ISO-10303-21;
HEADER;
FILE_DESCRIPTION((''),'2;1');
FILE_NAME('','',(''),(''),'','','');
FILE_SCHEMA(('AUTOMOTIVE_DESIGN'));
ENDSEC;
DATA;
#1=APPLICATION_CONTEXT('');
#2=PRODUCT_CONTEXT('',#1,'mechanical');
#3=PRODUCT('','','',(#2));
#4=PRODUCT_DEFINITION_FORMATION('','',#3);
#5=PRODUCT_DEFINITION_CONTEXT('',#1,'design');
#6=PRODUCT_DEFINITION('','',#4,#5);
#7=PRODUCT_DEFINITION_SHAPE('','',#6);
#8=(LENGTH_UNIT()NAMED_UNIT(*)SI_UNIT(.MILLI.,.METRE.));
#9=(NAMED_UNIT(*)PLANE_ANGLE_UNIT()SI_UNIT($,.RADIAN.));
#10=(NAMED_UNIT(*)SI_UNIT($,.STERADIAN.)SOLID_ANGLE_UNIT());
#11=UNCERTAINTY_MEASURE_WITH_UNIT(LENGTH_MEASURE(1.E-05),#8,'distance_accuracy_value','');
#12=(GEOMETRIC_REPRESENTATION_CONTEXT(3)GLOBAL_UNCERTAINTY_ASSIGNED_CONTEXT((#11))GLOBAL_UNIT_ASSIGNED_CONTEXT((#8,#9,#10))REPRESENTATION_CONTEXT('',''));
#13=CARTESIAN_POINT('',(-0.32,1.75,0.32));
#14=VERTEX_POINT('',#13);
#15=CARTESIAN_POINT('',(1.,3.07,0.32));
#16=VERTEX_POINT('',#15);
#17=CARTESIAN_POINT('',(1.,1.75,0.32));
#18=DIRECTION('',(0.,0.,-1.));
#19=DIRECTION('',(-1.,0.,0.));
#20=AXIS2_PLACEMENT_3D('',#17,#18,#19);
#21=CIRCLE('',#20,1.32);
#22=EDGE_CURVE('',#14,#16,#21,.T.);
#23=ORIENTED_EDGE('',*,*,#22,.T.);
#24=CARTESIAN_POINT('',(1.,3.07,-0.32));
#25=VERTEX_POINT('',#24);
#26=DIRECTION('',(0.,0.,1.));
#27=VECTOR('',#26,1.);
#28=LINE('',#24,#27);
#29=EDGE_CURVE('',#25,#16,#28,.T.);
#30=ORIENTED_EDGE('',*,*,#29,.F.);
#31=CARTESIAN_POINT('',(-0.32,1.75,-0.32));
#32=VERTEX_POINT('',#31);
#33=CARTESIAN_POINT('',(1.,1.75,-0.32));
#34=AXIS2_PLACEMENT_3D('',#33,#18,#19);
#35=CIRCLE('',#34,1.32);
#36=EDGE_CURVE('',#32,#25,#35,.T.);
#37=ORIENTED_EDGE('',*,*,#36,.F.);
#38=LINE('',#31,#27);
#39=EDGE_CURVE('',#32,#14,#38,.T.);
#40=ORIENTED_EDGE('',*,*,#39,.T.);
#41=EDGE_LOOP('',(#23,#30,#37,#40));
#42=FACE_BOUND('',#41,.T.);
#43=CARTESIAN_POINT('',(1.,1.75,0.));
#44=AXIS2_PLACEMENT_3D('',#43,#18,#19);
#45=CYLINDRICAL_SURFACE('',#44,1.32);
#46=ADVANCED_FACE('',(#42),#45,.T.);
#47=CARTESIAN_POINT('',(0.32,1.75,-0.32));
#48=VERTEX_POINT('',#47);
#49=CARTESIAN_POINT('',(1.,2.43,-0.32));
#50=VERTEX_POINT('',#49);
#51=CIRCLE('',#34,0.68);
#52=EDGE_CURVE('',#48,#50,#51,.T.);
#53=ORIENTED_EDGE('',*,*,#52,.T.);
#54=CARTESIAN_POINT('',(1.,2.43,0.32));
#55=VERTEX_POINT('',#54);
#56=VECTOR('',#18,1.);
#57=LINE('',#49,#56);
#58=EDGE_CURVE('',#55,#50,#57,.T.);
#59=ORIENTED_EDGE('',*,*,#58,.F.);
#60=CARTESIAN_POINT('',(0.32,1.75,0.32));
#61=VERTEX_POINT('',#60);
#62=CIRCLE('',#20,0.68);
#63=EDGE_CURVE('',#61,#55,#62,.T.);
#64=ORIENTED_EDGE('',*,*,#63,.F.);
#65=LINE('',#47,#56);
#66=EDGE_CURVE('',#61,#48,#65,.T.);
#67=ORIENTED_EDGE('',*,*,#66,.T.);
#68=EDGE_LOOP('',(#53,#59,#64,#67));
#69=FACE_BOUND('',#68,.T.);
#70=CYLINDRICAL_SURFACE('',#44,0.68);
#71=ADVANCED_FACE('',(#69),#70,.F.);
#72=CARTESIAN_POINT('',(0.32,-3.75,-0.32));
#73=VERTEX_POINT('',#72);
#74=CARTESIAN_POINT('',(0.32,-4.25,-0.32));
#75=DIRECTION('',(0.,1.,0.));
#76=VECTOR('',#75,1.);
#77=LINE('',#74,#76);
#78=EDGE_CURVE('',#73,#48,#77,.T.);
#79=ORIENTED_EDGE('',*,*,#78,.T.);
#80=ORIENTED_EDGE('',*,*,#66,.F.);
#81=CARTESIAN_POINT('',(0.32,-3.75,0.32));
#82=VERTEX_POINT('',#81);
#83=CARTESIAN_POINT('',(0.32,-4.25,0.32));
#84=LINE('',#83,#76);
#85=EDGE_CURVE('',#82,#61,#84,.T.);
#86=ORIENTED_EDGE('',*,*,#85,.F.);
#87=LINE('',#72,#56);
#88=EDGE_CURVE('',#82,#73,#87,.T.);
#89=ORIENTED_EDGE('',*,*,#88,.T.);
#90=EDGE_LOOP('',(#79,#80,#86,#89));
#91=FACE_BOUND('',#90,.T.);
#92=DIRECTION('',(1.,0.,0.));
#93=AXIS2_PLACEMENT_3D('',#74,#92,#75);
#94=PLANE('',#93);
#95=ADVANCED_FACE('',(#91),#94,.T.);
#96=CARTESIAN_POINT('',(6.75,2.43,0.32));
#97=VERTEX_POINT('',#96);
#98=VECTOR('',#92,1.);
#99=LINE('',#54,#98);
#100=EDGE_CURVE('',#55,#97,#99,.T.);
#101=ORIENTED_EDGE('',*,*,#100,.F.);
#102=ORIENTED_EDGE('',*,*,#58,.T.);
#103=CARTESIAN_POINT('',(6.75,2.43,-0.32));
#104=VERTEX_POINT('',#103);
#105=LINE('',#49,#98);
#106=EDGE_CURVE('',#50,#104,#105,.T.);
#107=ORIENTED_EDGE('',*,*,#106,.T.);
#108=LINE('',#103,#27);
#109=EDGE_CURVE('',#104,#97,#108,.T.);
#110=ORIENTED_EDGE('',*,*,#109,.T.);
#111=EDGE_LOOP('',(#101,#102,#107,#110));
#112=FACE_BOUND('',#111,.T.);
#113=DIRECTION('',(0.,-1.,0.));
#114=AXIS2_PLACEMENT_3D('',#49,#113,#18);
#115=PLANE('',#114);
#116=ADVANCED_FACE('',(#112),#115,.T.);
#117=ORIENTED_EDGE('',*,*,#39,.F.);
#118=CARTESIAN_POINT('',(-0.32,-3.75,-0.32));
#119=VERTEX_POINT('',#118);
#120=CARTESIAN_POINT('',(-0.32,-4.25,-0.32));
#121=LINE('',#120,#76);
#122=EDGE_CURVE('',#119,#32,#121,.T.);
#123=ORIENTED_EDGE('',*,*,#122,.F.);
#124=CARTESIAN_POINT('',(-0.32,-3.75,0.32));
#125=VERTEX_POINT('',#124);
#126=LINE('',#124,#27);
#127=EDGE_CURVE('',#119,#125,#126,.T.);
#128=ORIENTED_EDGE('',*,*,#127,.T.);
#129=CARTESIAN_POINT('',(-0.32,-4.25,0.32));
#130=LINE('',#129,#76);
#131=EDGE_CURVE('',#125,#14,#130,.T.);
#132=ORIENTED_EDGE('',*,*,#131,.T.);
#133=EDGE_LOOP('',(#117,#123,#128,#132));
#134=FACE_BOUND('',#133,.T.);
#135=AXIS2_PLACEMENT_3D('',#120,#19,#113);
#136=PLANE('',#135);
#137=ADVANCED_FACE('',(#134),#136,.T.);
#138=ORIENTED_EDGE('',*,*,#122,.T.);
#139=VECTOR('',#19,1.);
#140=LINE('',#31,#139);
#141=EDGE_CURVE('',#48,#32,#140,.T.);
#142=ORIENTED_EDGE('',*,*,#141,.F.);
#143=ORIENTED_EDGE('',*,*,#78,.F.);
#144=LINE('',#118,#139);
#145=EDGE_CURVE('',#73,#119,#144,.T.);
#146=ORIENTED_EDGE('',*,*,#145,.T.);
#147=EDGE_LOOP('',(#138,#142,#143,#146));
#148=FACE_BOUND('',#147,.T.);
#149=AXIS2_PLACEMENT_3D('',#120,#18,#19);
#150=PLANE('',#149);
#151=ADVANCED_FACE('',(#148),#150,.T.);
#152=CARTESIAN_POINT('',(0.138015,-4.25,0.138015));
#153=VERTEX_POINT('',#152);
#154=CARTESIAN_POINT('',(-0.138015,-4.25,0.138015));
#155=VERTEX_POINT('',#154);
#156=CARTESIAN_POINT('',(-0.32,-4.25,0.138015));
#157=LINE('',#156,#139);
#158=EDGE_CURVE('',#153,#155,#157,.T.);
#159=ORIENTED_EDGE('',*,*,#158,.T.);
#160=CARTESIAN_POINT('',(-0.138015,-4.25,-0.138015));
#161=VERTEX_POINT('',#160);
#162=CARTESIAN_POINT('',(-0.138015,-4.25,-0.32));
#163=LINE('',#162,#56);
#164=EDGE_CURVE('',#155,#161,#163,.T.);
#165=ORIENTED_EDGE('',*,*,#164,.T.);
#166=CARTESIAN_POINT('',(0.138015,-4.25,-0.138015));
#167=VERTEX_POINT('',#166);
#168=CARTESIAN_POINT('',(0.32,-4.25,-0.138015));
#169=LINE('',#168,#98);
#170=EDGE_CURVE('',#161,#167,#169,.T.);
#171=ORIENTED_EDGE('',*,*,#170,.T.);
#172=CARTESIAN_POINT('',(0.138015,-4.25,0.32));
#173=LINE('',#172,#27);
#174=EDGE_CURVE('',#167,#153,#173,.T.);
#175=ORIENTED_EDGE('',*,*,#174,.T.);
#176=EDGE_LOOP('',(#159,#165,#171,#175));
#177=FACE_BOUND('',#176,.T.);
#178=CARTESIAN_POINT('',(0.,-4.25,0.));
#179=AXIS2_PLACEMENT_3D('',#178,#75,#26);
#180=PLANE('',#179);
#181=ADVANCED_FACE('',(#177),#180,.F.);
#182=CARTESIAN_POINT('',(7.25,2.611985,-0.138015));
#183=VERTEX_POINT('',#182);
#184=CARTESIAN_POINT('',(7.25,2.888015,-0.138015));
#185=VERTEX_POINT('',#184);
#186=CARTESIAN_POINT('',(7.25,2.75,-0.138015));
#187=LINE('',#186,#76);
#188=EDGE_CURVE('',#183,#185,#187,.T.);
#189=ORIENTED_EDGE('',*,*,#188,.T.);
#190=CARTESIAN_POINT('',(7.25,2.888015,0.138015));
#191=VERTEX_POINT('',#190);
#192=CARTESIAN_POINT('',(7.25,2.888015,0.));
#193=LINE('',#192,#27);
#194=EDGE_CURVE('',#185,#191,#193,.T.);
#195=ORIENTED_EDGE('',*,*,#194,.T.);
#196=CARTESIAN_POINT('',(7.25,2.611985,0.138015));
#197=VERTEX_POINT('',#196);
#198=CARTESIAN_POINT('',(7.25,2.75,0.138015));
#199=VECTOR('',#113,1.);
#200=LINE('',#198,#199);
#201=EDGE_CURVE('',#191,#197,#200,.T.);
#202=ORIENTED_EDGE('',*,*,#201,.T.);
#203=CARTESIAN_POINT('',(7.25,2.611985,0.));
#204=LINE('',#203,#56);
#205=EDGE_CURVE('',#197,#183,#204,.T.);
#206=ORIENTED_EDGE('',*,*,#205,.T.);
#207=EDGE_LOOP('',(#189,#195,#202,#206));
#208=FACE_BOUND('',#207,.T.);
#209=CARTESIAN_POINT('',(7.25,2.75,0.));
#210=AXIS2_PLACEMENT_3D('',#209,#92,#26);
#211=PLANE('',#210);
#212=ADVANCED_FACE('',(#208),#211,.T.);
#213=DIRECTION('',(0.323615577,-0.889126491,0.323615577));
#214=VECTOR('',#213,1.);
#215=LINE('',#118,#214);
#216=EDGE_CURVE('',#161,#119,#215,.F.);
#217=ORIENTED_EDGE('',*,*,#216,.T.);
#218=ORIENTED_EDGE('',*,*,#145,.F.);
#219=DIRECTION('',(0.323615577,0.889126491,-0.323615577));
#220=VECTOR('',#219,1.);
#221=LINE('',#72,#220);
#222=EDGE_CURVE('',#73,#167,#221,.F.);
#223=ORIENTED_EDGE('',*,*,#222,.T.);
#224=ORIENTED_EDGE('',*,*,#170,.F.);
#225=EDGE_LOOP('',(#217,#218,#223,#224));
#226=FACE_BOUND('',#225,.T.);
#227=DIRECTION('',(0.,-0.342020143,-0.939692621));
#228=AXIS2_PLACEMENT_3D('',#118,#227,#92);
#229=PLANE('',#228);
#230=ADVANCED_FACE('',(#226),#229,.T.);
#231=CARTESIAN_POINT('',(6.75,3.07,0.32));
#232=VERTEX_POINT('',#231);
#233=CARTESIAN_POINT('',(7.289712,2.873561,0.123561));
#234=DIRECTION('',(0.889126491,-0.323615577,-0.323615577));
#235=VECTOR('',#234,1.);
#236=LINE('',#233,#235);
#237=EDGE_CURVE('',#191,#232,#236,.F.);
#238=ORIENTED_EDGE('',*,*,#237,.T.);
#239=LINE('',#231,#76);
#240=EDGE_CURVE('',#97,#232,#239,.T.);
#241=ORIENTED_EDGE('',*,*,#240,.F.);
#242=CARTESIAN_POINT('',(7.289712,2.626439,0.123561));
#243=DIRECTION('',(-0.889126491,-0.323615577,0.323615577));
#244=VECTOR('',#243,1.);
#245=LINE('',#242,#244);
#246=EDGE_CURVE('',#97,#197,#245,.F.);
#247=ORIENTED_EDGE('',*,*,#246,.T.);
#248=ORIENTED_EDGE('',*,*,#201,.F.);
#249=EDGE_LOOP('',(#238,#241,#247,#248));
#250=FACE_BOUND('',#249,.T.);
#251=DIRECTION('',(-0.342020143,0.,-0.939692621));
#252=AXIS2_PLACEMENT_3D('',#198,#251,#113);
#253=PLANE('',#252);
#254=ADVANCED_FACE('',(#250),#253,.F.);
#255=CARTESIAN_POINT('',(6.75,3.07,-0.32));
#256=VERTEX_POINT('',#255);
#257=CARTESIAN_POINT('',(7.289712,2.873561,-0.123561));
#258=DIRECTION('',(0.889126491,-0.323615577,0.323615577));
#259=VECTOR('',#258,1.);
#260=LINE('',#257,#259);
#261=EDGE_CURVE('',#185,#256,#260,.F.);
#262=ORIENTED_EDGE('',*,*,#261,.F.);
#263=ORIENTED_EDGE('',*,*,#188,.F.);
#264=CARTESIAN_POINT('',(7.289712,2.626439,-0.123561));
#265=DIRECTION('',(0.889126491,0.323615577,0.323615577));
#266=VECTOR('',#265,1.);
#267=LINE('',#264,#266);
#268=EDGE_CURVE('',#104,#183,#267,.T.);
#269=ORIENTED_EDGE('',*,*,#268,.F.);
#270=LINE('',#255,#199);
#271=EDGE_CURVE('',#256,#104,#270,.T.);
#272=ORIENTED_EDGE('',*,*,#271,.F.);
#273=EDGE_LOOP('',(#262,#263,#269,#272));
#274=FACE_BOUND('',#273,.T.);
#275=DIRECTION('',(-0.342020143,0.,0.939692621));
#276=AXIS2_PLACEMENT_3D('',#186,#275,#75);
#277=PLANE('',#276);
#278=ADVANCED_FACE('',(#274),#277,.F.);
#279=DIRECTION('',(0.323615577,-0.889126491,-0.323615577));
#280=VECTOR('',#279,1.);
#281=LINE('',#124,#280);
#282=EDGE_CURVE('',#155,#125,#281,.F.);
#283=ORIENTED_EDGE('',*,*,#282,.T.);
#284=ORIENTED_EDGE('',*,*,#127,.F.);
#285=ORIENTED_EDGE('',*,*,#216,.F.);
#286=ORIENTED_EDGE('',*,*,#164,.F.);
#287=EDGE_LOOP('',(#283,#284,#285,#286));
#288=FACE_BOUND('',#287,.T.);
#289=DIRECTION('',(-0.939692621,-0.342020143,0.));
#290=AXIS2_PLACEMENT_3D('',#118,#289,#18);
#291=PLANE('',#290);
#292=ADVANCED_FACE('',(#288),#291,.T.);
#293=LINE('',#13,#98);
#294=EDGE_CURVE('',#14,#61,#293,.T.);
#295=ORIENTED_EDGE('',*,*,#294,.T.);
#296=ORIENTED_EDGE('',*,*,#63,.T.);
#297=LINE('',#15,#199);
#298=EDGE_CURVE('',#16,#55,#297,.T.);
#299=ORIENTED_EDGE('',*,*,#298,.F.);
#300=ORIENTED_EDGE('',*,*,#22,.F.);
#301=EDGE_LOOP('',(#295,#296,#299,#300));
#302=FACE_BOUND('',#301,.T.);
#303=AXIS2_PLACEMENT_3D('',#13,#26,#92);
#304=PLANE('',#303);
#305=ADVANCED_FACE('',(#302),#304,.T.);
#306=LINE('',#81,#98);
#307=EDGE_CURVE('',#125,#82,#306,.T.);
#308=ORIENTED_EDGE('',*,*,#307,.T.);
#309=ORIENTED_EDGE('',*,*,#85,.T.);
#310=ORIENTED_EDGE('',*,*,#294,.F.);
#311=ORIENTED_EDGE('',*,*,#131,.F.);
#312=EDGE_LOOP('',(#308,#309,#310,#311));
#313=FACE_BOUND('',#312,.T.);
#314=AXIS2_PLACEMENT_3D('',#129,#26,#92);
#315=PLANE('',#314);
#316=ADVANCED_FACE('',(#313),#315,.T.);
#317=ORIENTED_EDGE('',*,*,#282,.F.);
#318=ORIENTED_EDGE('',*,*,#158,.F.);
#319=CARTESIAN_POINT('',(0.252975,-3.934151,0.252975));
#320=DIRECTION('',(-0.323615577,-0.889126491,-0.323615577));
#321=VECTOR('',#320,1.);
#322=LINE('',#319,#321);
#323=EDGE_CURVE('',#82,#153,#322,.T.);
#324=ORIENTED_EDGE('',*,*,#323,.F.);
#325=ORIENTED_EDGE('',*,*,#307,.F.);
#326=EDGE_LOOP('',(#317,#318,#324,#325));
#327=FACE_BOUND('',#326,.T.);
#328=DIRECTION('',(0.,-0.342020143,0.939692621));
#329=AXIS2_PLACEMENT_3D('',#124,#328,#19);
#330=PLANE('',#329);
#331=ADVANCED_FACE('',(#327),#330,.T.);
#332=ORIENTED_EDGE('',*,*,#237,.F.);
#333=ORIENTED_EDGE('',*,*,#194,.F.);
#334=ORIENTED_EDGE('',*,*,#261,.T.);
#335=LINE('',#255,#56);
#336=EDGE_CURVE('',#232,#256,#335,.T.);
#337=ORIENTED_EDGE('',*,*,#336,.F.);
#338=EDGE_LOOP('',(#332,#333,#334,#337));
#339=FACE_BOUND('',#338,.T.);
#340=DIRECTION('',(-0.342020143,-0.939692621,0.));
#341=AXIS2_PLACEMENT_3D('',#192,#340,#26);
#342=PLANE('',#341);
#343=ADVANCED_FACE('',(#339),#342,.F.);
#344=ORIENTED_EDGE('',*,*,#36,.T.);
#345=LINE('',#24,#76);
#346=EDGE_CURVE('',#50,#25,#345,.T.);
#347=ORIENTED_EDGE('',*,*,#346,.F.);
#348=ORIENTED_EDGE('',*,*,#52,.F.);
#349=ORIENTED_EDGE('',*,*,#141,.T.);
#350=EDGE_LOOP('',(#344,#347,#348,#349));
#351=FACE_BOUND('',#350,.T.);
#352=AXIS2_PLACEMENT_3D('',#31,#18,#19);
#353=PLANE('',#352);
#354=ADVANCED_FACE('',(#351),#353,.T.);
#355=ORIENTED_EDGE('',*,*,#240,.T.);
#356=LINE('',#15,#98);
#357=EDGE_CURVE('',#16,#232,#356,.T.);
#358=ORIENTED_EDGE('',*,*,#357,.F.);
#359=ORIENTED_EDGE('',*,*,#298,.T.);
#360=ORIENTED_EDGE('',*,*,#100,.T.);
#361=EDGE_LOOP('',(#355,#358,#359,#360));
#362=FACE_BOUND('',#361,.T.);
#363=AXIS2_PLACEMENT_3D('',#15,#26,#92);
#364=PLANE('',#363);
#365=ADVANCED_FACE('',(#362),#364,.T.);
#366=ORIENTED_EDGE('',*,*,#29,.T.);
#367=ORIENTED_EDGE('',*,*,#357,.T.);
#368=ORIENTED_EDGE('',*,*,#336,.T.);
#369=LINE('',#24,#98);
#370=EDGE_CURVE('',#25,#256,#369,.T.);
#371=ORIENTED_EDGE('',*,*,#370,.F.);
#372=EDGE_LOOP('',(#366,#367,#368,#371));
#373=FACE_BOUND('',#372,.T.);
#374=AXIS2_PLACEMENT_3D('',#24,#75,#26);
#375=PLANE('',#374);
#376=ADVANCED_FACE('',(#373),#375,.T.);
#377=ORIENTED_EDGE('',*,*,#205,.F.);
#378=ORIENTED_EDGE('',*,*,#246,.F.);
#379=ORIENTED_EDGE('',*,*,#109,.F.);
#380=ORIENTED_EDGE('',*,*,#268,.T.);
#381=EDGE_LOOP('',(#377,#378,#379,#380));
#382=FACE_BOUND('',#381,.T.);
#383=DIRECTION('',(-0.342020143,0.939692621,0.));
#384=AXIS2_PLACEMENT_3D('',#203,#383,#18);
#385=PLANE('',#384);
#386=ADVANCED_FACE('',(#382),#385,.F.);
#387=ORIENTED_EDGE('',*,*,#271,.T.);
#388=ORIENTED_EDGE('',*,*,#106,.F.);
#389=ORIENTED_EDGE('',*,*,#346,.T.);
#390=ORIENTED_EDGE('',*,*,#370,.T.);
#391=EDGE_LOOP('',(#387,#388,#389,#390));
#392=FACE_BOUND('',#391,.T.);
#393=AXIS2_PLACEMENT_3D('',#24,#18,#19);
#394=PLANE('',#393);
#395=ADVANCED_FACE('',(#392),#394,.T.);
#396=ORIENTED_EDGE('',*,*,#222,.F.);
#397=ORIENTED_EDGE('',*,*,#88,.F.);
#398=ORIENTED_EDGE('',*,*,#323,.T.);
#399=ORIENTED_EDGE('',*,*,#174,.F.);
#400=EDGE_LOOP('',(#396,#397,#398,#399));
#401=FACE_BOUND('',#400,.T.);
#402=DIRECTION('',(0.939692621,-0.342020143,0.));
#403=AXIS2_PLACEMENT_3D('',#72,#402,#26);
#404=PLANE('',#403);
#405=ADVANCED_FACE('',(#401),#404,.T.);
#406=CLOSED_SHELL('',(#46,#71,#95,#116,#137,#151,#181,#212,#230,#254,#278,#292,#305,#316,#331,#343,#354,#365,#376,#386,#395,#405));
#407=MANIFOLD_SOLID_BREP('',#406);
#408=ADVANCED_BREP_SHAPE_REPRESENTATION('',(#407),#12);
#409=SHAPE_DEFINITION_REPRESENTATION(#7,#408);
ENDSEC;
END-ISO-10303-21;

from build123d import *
from OCP.BRepFilletAPI import BRepFilletAPI_MakeChamfer

# Parameters (mm, degrees)
SKETCH_1_W      = 0.64
SKETCH_1_H      = 0.64
CHAMFER_1_SIZE  = 0.5
CHAMFER_1_SIZE2 = 0.181985117
CHAMFER_2_SIZE  = 0.5
CHAMFER_2_SIZE2 = 0.181985117


with BuildPart() as part:
    # По траектории1: sweep along a path in Эскиз2
    with BuildLine(Plane.XY) as sweep_1_path:
        Line((7.25, 2.75), (1, 2.75))
        ThreePointArc((1, 2.75), (0.292893219, 2.457106781), (0, 1.75))
        Line((0, 1.75), (0, 0))
        Line((0, 0), (0, -4.25))
    # Эскиз1 → По траектории1 (sweep)
    with BuildSketch(Plane(origin=(0, 0, 0), x_dir=(1, 0, 0), z_dir=(0, 1, 0))):
        Rectangle(SKETCH_1_W, SKETCH_1_H)
    sweep(path=sweep_1_path.line)

    # Фаска1: one chamfer whose edges measure the first distance from different faces: ONE call of the kernel's chamfer builder (chamfer() names one face for all edges)
    chamfer_1_edges_1 = [part.edges().sort_by_distance(p)[0] for p in [
        (7.25, 3.07, 0),
    ]]
    chamfer_1_side_1 = [part.faces().sort_by_distance(p)[0] for p in [
        (4.125, 3.07, 0),
    ]]
    chamfer_1_edges_2 = [part.edges().sort_by_distance(p)[0] for p in [
        (7.25, 2.75, 0.32),
    ]]
    chamfer_1_side_2 = [part.faces().sort_by_distance(p)[0] for p in [
        (4.125, 2.964696961, 0.32),
    ]]
    chamfer_1_edges_3 = [part.edges().sort_by_distance(p)[0] for p in [
        (7.25, 2.43, 0),
    ]]
    chamfer_1_side_3 = [part.faces().sort_by_distance(p)[0] for p in [
        (4.125, 2.43, 0),
    ]]
    chamfer_1_edges_4 = [part.edges().sort_by_distance(p)[0] for p in [
        (7.25, 2.75, -0.32),
    ]]
    chamfer_1_side_4 = [part.faces().sort_by_distance(p)[0] for p in [
        (4.125, 2.535303039, -0.32),
    ]]
    chamfer_1 = BRepFilletAPI_MakeChamfer(part.part.solid().wrapped)
    for e in chamfer_1_edges_1:
        chamfer_1.Add(CHAMFER_1_SIZE, CHAMFER_1_SIZE2, e.wrapped, chamfer_1_side_1[0].wrapped)  # the first distance lies on this face
    for e in chamfer_1_edges_2:
        chamfer_1.Add(CHAMFER_1_SIZE, CHAMFER_1_SIZE2, e.wrapped, chamfer_1_side_2[0].wrapped)  # the first distance lies on this face
    for e in chamfer_1_edges_3:
        chamfer_1.Add(CHAMFER_1_SIZE, CHAMFER_1_SIZE2, e.wrapped, chamfer_1_side_3[0].wrapped)  # the first distance lies on this face
    for e in chamfer_1_edges_4:
        chamfer_1.Add(CHAMFER_1_SIZE, CHAMFER_1_SIZE2, e.wrapped, chamfer_1_side_4[0].wrapped)  # the first distance lies on this face
    add(Compound.cast(chamfer_1.Shape()), mode=Mode.REPLACE)

    # Фаска2: one chamfer whose edges measure the first distance from different faces: ONE call of the kernel's chamfer builder (chamfer() names one face for all edges)
    chamfer_2_edges_1 = [part.edges().sort_by_distance(p)[0] for p in [
        (0, -4.25, 0.32),
    ]]
    chamfer_2_side_1 = [part.faces().sort_by_distance(p)[0] for p in [
        (3.875, 2.968231979, 0.32),
    ]]
    chamfer_2_edges_2 = [part.edges().sort_by_distance(p)[0] for p in [
        (0.32, -4.25, 0),
    ]]
    chamfer_2_side_2 = [part.faces().sort_by_distance(p)[0] for p in [
        (0.32, -1.25, 0),
    ]]
    chamfer_2_edges_3 = [part.edges().sort_by_distance(p)[0] for p in [
        (0, -4.25, -0.32),
    ]]
    chamfer_2_side_3 = [part.faces().sort_by_distance(p)[0] for p in [
        (3.875, 2.531768021, -0.32),
    ]]
    chamfer_2_edges_4 = [part.edges().sort_by_distance(p)[0] for p in [
        (-0.32, -4.25, 0),
    ]]
    chamfer_2_side_4 = [part.faces().sort_by_distance(p)[0] for p in [
        (-0.32, -1.25, 0),
    ]]
    chamfer_2 = BRepFilletAPI_MakeChamfer(part.part.solid().wrapped)
    for e in chamfer_2_edges_1:
        chamfer_2.Add(CHAMFER_2_SIZE, CHAMFER_2_SIZE2, e.wrapped, chamfer_2_side_1[0].wrapped)  # the first distance lies on this face
    for e in chamfer_2_edges_2:
        chamfer_2.Add(CHAMFER_2_SIZE, CHAMFER_2_SIZE2, e.wrapped, chamfer_2_side_2[0].wrapped)  # the first distance lies on this face
    for e in chamfer_2_edges_3:
        chamfer_2.Add(CHAMFER_2_SIZE, CHAMFER_2_SIZE2, e.wrapped, chamfer_2_side_3[0].wrapped)  # the first distance lies on this face
    for e in chamfer_2_edges_4:
        chamfer_2.Add(CHAMFER_2_SIZE, CHAMFER_2_SIZE2, e.wrapped, chamfer_2_side_4[0].wrapped)  # the first distance lies on this face
    add(Compound.cast(chamfer_2.Shape()), mode=Mode.REPLACE)


solid = part.part
